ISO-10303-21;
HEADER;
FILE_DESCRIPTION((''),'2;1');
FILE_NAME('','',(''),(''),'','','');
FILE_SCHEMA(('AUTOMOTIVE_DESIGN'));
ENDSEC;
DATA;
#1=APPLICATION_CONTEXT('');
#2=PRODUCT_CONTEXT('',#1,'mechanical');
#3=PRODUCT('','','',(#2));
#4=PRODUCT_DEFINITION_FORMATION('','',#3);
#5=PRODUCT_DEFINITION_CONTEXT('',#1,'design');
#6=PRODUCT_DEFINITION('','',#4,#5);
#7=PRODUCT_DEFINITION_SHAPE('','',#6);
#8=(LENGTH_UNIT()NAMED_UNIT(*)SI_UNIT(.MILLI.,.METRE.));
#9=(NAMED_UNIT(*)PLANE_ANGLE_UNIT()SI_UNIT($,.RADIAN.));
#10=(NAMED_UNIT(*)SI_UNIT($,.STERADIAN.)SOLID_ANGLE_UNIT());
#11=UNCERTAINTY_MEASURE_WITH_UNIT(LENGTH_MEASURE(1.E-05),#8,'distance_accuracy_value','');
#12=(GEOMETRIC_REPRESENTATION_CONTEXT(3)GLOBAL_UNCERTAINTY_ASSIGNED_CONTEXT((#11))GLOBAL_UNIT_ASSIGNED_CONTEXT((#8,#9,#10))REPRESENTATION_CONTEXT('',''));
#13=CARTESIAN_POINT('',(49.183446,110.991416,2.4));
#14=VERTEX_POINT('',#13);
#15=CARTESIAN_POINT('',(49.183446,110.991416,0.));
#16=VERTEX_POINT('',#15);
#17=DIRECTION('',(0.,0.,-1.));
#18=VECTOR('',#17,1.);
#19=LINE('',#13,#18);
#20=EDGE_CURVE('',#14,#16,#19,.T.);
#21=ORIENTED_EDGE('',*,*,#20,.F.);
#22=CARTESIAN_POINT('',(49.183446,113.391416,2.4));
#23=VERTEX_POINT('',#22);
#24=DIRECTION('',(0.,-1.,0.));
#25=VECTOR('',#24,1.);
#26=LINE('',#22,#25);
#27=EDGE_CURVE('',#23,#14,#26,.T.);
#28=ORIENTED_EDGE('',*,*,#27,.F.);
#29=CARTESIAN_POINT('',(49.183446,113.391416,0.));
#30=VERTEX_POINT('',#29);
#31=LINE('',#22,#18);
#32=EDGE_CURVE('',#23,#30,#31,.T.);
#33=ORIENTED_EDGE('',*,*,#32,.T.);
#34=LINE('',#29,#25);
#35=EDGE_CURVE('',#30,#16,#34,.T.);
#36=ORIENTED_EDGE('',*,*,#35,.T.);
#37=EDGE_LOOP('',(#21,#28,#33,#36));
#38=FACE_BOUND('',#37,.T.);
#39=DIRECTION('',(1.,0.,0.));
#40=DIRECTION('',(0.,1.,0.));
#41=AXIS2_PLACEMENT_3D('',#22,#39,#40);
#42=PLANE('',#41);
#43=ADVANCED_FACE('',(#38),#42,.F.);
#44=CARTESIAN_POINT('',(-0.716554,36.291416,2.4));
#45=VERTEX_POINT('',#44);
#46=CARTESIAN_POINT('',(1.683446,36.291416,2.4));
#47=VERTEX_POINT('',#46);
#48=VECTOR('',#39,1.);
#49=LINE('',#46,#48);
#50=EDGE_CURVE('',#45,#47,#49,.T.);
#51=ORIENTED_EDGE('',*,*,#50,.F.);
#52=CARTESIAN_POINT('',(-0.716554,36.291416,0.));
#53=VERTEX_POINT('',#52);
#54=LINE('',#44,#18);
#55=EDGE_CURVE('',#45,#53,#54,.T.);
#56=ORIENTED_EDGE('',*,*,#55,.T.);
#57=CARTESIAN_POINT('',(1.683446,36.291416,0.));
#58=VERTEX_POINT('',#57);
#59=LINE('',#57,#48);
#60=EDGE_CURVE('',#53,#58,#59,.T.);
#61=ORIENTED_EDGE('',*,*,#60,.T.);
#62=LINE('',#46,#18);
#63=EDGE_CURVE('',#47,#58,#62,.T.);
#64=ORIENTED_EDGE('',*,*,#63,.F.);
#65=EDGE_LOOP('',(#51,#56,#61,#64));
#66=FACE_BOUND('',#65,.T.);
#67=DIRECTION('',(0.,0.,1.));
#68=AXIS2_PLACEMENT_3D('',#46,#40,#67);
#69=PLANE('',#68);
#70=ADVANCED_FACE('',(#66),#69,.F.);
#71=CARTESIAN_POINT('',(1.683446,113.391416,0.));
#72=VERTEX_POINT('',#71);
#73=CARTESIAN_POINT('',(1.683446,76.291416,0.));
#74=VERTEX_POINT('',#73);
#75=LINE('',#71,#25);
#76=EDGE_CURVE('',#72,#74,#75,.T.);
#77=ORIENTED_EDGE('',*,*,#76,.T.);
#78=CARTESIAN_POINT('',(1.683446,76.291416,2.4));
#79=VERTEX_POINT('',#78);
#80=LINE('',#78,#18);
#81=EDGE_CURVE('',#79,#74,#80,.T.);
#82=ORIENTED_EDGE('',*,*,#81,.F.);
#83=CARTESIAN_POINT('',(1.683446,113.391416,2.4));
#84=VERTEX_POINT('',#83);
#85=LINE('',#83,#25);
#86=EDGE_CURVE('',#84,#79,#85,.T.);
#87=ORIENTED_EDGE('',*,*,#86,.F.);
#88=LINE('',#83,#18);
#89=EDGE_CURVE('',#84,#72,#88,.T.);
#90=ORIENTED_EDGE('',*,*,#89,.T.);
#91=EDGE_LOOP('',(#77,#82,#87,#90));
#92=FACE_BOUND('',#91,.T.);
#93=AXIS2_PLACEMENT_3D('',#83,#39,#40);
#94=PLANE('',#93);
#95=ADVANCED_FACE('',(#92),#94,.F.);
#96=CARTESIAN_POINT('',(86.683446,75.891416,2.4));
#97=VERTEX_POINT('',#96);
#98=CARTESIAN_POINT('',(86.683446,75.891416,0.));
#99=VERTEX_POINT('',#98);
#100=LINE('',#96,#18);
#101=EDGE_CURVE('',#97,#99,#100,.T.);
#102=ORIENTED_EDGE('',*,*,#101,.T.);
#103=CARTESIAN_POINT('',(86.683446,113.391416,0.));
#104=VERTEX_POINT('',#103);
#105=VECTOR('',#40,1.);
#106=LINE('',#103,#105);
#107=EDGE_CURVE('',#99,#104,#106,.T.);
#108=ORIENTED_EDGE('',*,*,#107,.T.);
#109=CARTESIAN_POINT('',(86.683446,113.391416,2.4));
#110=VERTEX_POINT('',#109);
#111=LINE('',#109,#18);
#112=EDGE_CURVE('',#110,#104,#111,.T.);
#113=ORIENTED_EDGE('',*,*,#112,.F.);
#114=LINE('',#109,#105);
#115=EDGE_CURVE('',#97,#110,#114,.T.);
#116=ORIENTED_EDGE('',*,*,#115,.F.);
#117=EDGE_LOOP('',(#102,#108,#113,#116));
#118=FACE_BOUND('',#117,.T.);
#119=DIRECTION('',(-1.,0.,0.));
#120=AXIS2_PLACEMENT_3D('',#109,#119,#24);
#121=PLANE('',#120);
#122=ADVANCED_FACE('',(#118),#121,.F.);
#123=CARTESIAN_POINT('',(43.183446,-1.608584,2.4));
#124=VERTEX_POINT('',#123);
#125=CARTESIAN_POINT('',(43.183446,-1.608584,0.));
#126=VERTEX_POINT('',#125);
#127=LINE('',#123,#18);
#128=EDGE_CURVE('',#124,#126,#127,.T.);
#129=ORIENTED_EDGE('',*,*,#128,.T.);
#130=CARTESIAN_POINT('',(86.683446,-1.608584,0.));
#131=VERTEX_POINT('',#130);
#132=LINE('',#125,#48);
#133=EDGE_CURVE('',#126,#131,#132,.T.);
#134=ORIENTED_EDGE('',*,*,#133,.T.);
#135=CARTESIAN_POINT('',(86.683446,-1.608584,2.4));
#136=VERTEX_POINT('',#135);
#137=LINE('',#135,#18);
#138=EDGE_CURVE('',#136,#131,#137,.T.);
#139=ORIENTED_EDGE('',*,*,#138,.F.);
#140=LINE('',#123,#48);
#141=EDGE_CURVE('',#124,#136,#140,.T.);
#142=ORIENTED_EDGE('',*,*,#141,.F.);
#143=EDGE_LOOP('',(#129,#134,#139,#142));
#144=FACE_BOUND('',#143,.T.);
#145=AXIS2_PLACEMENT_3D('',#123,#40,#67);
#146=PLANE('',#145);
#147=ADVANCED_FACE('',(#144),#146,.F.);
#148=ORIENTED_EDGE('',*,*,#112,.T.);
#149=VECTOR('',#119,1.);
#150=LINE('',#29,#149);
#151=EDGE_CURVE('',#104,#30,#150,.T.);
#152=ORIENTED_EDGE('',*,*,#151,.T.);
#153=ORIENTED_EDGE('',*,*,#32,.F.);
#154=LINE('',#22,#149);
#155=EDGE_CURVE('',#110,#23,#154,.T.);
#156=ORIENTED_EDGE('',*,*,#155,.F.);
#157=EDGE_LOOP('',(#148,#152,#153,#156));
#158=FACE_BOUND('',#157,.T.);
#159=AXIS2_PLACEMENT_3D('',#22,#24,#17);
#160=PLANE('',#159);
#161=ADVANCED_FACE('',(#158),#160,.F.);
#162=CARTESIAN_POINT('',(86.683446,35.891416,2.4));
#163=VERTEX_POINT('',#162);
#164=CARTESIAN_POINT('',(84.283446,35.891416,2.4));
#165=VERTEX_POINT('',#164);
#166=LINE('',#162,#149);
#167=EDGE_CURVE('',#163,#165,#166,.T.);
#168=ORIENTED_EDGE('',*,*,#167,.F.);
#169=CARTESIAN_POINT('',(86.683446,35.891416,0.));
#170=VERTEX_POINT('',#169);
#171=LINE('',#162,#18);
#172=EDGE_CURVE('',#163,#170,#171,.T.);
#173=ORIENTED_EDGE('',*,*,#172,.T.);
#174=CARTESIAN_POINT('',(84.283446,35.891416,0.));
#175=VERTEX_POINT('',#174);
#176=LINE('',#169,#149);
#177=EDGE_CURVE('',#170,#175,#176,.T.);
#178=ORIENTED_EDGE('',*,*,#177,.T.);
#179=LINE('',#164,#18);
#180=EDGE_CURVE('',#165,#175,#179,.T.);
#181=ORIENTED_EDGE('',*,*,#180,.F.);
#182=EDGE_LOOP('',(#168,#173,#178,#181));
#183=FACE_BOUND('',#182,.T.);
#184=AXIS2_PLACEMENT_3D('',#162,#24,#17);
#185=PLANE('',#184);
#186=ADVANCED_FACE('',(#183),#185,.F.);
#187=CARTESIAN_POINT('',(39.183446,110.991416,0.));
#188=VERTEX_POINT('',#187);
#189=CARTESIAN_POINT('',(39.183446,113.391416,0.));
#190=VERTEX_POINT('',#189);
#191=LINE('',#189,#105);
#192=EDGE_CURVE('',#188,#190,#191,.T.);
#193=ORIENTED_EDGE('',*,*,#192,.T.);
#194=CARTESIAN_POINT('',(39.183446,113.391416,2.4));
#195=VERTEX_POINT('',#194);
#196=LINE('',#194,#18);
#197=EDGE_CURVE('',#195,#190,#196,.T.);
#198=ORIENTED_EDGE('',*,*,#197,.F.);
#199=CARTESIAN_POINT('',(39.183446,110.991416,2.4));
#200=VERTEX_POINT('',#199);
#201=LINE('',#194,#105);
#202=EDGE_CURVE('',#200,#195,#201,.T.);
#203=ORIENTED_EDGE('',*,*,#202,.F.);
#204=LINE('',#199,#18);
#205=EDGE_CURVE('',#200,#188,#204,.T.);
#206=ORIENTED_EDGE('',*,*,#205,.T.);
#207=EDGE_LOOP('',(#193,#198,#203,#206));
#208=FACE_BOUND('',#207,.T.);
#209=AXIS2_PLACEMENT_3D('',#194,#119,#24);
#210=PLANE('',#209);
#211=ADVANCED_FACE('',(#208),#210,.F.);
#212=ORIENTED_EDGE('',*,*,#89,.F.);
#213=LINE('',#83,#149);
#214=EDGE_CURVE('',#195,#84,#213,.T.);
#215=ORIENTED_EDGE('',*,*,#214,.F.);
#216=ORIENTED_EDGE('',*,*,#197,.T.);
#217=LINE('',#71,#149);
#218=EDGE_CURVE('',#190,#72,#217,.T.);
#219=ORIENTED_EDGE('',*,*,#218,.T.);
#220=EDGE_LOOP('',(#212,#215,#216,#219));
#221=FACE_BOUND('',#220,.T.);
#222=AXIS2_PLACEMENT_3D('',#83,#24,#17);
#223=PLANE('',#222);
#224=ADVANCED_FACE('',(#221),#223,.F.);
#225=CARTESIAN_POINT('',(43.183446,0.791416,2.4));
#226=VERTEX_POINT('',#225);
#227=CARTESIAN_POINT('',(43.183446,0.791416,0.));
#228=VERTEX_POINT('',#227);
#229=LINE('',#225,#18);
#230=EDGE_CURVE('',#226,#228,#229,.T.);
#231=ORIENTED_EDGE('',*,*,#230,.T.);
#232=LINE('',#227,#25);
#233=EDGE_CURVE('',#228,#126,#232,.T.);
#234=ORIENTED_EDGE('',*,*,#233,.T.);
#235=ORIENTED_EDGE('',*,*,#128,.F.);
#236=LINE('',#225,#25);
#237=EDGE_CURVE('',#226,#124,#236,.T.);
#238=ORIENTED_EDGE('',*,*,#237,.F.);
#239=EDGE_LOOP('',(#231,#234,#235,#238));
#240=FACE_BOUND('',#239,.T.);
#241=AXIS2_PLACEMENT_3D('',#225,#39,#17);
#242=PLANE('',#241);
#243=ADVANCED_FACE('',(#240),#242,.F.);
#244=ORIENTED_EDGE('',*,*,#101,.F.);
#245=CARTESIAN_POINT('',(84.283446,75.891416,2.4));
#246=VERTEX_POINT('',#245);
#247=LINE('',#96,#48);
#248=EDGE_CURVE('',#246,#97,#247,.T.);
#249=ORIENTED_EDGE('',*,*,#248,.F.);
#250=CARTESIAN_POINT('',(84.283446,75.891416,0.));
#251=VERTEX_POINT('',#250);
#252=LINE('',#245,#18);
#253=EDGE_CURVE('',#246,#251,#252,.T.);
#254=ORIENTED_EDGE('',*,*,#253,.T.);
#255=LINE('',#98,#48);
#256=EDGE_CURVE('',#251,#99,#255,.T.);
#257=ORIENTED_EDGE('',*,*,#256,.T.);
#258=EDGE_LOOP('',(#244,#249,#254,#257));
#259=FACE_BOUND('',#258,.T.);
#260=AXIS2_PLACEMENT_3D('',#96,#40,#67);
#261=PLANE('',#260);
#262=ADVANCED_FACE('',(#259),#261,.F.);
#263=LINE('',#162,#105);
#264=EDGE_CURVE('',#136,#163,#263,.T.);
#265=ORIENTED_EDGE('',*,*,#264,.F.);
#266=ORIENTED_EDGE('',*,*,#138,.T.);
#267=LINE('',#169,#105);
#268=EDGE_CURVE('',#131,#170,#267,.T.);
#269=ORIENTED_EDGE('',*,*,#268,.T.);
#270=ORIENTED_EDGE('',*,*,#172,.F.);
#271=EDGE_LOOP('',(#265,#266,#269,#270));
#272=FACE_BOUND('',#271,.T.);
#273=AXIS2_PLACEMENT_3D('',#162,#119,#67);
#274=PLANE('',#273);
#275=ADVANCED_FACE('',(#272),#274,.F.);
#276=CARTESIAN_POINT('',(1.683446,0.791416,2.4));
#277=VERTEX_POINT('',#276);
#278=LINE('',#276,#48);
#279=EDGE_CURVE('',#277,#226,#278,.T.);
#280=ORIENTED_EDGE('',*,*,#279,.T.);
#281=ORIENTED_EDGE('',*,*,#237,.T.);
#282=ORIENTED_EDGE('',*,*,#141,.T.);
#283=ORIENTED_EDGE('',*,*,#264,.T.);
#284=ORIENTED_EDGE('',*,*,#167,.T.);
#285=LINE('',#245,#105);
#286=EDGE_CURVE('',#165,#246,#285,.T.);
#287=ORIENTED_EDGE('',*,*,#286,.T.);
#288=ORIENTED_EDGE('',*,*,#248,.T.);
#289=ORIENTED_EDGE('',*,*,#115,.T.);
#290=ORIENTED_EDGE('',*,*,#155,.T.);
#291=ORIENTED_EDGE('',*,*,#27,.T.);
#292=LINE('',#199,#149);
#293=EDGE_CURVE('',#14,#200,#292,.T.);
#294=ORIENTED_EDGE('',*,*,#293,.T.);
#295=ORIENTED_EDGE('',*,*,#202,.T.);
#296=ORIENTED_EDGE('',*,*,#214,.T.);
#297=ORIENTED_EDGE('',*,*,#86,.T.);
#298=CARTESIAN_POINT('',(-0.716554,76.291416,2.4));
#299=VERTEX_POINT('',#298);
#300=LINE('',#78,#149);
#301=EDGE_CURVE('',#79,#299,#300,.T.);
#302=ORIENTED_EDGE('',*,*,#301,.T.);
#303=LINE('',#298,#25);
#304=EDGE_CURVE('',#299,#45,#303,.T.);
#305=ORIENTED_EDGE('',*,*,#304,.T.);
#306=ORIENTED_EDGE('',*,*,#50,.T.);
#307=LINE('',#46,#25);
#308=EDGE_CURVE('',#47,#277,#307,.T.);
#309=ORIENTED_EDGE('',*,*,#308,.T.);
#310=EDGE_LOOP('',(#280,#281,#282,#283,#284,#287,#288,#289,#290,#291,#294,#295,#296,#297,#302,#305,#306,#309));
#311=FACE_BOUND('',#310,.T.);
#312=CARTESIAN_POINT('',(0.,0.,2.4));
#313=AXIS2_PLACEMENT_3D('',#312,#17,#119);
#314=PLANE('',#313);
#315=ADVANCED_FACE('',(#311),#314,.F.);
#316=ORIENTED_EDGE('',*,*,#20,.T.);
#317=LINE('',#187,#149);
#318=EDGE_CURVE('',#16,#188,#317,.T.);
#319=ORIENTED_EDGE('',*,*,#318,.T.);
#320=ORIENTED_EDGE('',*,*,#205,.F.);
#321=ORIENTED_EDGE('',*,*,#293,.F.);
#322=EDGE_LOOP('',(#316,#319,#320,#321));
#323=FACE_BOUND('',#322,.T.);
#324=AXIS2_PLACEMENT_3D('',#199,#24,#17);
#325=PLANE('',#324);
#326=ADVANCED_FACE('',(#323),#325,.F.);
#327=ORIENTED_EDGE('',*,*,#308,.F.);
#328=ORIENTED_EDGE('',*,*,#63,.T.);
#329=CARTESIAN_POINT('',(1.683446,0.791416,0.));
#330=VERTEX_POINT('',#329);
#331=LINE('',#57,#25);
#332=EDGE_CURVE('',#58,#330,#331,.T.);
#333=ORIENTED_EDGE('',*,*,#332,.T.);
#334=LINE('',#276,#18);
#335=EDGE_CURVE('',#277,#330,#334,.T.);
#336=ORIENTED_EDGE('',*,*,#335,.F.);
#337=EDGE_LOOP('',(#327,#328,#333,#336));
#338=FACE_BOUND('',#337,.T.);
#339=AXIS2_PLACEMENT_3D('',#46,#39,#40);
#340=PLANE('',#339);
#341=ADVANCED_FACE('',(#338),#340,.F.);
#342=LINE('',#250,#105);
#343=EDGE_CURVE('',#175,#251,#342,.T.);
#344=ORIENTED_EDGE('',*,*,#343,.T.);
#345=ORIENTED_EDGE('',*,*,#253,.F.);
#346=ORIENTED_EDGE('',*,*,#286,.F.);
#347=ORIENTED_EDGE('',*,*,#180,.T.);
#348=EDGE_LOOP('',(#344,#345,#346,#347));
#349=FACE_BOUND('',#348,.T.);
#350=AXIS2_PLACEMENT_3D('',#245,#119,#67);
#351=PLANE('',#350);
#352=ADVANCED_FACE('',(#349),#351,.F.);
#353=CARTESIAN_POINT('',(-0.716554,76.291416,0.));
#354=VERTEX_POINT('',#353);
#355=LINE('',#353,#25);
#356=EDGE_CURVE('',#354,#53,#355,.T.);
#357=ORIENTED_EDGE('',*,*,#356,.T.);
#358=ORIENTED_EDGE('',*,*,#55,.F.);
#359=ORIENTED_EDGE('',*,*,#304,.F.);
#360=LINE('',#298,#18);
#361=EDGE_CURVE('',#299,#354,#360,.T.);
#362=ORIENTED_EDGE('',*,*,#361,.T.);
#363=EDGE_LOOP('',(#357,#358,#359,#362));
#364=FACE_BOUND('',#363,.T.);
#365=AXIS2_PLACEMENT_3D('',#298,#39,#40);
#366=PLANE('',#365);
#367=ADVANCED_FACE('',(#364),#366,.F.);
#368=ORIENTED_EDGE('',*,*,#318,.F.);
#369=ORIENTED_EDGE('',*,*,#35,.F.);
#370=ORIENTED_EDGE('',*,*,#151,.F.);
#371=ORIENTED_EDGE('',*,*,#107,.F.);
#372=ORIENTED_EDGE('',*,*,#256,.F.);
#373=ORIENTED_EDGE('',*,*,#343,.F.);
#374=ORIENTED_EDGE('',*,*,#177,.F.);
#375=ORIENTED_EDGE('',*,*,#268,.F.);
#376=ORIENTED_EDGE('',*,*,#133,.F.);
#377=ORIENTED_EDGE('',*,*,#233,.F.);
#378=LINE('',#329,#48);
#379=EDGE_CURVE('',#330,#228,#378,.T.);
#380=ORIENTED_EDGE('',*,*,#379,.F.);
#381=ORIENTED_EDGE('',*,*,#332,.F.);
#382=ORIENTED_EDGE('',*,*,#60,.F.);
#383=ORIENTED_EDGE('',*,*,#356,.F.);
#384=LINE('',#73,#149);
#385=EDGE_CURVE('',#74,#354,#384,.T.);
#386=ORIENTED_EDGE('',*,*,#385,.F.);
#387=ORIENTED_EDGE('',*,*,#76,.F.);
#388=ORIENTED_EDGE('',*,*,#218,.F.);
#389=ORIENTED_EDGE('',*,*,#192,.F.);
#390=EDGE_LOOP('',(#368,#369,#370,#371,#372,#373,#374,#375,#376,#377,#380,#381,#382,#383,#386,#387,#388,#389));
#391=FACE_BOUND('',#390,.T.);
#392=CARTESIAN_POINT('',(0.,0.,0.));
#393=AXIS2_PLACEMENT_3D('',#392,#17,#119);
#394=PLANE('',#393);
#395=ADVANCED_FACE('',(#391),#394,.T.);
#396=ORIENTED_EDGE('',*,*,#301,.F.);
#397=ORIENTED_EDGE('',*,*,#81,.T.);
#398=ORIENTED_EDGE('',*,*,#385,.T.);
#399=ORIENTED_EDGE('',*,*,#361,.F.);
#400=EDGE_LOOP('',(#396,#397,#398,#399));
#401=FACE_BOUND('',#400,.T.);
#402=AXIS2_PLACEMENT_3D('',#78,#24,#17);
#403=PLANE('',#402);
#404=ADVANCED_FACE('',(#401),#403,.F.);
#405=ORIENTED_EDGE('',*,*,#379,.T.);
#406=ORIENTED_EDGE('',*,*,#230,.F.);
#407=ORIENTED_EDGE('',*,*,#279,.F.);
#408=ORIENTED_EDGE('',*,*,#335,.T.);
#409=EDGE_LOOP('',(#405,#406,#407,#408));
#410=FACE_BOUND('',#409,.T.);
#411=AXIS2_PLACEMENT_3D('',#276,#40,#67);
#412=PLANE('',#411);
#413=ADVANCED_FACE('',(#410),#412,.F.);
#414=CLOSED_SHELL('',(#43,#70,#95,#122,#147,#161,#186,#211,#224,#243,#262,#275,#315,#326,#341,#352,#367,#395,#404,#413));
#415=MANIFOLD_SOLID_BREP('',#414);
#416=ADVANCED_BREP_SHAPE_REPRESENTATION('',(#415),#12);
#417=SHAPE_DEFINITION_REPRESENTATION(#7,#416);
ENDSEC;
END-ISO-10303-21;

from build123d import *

# Parameters (mm, degrees)
P_IDAT_VYSUNUT_M1_DEPTH = 2.4


with BuildPart() as part:
    # Skica1 → Přidat vysunutím1 (new body)
    with BuildSketch(Plane.XY):
        Polygon((1.683445693, 36.29141573), (1.683445693, 0.79141573), (43.183445693, 0.79141573), (43.183445693, -1.60858427), (86.683445693, -1.60858427), (86.683445693, 35.89141573), (84.283445693, 35.89141573), (84.283445693, 75.89141573), (86.683445693, 75.89141573), (86.683445693, 113.39141573), (49.183445693, 113.39141573), (49.183445693, 110.99141573), (39.183445693, 110.99141573), (39.183445693, 113.39141573), (1.683445693, 113.39141573), (1.683445693, 76.29141573), (-0.716554307, 76.29141573), (-0.716554307, 36.29141573), align=None)
    extrude(amount=P_IDAT_VYSUNUT_M1_DEPTH)


solid = part.part
